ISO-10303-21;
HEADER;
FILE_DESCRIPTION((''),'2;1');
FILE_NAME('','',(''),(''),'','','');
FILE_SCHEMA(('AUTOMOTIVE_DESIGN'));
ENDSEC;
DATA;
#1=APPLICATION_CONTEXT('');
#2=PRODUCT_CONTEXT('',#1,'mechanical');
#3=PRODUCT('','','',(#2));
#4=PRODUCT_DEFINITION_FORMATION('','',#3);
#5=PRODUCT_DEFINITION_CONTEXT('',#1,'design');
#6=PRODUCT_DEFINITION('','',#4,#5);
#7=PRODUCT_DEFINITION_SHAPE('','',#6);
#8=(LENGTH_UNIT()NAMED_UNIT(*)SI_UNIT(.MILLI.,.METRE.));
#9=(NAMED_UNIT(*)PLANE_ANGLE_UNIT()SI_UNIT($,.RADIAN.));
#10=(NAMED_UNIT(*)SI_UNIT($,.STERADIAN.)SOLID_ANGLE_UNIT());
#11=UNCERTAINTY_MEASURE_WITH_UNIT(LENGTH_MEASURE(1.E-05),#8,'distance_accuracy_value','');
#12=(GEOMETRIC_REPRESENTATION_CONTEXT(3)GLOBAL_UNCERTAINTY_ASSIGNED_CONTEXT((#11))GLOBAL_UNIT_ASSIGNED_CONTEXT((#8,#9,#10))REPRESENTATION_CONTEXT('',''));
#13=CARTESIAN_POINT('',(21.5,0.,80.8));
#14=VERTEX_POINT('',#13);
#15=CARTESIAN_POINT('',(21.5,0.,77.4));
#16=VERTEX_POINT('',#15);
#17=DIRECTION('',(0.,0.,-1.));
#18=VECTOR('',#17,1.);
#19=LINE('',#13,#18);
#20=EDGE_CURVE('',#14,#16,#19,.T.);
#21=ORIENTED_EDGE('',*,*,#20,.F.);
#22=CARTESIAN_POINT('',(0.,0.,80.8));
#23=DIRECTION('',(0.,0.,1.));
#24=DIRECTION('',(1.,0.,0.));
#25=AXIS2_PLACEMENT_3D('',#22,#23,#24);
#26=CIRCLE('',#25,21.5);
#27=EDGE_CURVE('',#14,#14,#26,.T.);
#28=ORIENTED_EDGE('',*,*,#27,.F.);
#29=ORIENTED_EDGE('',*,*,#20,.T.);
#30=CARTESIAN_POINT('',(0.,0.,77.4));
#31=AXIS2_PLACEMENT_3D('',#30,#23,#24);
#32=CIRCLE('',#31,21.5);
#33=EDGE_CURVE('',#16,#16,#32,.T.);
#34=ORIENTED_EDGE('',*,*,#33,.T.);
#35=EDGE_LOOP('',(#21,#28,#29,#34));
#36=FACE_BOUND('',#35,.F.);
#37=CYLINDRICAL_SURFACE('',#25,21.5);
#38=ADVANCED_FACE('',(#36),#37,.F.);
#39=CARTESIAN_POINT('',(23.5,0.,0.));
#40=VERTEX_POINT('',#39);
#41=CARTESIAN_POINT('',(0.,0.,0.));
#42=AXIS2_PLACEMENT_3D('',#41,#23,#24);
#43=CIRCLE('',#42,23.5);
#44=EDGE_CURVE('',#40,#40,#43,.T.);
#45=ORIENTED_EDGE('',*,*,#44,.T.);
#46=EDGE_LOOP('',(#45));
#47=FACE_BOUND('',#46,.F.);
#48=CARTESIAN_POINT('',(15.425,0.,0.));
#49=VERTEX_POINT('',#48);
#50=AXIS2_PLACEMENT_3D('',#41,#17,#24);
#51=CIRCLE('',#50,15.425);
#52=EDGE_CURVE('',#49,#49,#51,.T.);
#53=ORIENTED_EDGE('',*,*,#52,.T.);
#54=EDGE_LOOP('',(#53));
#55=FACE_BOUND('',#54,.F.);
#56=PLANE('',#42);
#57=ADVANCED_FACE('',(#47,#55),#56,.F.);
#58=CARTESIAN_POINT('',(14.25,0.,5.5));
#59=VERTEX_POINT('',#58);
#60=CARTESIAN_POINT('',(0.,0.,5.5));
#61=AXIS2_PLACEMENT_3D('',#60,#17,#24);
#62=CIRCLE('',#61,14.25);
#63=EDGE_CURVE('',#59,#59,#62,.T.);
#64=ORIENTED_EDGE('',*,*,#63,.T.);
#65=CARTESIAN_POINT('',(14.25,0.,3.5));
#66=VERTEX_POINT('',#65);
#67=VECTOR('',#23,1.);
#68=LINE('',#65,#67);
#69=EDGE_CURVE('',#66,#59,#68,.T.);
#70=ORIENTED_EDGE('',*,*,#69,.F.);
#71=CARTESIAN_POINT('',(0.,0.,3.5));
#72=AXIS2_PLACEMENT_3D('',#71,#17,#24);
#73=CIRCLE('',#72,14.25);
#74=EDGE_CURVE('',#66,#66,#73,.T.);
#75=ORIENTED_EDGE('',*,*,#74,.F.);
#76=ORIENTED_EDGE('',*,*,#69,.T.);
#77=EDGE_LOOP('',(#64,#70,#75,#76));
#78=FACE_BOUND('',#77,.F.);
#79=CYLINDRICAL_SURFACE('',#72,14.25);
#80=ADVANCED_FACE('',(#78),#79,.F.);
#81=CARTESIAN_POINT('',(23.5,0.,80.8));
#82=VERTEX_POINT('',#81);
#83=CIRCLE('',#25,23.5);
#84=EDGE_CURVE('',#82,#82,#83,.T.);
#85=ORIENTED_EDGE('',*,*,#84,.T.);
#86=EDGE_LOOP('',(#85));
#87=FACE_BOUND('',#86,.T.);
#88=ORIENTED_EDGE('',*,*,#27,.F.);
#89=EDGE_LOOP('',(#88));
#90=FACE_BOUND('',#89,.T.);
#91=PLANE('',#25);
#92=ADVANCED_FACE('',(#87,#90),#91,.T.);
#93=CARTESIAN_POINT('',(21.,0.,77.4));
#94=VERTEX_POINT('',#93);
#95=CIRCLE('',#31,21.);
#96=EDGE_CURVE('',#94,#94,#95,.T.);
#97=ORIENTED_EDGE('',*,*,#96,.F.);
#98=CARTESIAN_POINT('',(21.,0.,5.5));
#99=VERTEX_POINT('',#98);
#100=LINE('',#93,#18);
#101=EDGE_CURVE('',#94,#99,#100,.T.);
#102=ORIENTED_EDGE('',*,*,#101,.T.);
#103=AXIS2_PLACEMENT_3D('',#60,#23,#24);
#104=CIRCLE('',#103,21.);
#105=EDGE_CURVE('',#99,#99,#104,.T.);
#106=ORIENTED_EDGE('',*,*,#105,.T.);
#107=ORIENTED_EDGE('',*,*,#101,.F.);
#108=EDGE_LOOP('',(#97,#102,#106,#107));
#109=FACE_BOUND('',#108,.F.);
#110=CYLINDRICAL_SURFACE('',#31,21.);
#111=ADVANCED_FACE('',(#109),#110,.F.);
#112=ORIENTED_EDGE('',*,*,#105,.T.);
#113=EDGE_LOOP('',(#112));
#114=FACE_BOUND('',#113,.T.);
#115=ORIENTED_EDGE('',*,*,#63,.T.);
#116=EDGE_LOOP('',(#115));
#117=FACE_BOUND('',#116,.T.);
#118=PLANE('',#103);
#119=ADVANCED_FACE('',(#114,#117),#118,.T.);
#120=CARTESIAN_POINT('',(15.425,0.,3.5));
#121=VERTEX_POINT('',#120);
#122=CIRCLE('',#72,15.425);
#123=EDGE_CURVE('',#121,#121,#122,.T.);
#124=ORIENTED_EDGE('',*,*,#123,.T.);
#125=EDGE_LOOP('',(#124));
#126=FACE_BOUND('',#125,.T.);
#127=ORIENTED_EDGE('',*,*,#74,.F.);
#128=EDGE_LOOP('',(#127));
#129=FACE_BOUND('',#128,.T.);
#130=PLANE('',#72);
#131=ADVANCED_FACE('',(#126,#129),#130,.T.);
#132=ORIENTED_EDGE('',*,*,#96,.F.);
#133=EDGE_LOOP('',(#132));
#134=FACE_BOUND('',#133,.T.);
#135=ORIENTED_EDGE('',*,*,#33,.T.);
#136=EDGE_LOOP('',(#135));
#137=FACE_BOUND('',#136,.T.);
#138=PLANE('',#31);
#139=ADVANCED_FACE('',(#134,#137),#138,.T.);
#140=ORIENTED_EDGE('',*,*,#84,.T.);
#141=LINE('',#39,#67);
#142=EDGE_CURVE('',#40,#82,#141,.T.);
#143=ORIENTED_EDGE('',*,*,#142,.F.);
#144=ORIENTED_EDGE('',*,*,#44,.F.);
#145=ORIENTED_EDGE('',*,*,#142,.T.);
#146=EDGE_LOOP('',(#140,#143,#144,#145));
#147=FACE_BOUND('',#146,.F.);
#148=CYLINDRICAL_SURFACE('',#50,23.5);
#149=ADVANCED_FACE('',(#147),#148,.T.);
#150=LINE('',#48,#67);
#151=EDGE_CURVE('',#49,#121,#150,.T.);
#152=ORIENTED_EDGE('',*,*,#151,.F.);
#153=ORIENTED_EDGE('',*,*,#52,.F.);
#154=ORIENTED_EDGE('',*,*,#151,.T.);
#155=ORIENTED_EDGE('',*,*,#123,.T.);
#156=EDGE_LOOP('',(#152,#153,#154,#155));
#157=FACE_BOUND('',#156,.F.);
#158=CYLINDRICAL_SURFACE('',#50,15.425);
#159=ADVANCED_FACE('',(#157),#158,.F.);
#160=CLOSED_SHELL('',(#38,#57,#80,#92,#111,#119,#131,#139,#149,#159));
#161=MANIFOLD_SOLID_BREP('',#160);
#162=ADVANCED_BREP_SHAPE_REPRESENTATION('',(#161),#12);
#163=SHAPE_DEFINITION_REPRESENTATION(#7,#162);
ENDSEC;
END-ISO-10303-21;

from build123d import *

# Parameters (mm, degrees)
F0_R     = 23.5
F1_DEPTH = 80.8
F2_R     = 21.5
F3_DEPTH = 3.4
F5_R     = 15.425
F6_DEPTH = 3.5
F7_R     = 14.25
F8_DEPTH = 77.301
F4_R     = 21
F9_DEPTH = 71.9


with BuildPart() as f1:
    # F0 (on Top) → F1 (new body)
    with BuildSketch(Plane.XY):
        Circle(F0_R)
    extrude(amount=F1_DEPTH)

    # F2 (on face) → F3 (cut)
    with BuildSketch(Plane.XY.offset(80.8)):
        Circle(F2_R)
    extrude(amount=-F3_DEPTH, mode=Mode.SUBTRACT)

    # F5 (on face) → F6 (cut)
    with BuildSketch(Plane(origin=(0, 0, 0), x_dir=(1, 0, 0), z_dir=(0, 0, -1))):
        Circle(F5_R)
    extrude(amount=-F6_DEPTH, mode=Mode.SUBTRACT)

    # F7 (on face) → F8 (cut, through all)
    with BuildSketch(Plane(origin=(0, 0, 3.5), x_dir=(1, 0, 0), z_dir=(0, 0, -1))):
        Circle(F7_R)
    extrude(amount=-F8_DEPTH, mode=Mode.SUBTRACT)

    # F4 (on face) → F9 (cut, through all)
    with BuildSketch(Plane.XY.offset(77.4)):
        Circle(F4_R)
    extrude(amount=-F9_DEPTH, mode=Mode.SUBTRACT)


solid = f1.part
